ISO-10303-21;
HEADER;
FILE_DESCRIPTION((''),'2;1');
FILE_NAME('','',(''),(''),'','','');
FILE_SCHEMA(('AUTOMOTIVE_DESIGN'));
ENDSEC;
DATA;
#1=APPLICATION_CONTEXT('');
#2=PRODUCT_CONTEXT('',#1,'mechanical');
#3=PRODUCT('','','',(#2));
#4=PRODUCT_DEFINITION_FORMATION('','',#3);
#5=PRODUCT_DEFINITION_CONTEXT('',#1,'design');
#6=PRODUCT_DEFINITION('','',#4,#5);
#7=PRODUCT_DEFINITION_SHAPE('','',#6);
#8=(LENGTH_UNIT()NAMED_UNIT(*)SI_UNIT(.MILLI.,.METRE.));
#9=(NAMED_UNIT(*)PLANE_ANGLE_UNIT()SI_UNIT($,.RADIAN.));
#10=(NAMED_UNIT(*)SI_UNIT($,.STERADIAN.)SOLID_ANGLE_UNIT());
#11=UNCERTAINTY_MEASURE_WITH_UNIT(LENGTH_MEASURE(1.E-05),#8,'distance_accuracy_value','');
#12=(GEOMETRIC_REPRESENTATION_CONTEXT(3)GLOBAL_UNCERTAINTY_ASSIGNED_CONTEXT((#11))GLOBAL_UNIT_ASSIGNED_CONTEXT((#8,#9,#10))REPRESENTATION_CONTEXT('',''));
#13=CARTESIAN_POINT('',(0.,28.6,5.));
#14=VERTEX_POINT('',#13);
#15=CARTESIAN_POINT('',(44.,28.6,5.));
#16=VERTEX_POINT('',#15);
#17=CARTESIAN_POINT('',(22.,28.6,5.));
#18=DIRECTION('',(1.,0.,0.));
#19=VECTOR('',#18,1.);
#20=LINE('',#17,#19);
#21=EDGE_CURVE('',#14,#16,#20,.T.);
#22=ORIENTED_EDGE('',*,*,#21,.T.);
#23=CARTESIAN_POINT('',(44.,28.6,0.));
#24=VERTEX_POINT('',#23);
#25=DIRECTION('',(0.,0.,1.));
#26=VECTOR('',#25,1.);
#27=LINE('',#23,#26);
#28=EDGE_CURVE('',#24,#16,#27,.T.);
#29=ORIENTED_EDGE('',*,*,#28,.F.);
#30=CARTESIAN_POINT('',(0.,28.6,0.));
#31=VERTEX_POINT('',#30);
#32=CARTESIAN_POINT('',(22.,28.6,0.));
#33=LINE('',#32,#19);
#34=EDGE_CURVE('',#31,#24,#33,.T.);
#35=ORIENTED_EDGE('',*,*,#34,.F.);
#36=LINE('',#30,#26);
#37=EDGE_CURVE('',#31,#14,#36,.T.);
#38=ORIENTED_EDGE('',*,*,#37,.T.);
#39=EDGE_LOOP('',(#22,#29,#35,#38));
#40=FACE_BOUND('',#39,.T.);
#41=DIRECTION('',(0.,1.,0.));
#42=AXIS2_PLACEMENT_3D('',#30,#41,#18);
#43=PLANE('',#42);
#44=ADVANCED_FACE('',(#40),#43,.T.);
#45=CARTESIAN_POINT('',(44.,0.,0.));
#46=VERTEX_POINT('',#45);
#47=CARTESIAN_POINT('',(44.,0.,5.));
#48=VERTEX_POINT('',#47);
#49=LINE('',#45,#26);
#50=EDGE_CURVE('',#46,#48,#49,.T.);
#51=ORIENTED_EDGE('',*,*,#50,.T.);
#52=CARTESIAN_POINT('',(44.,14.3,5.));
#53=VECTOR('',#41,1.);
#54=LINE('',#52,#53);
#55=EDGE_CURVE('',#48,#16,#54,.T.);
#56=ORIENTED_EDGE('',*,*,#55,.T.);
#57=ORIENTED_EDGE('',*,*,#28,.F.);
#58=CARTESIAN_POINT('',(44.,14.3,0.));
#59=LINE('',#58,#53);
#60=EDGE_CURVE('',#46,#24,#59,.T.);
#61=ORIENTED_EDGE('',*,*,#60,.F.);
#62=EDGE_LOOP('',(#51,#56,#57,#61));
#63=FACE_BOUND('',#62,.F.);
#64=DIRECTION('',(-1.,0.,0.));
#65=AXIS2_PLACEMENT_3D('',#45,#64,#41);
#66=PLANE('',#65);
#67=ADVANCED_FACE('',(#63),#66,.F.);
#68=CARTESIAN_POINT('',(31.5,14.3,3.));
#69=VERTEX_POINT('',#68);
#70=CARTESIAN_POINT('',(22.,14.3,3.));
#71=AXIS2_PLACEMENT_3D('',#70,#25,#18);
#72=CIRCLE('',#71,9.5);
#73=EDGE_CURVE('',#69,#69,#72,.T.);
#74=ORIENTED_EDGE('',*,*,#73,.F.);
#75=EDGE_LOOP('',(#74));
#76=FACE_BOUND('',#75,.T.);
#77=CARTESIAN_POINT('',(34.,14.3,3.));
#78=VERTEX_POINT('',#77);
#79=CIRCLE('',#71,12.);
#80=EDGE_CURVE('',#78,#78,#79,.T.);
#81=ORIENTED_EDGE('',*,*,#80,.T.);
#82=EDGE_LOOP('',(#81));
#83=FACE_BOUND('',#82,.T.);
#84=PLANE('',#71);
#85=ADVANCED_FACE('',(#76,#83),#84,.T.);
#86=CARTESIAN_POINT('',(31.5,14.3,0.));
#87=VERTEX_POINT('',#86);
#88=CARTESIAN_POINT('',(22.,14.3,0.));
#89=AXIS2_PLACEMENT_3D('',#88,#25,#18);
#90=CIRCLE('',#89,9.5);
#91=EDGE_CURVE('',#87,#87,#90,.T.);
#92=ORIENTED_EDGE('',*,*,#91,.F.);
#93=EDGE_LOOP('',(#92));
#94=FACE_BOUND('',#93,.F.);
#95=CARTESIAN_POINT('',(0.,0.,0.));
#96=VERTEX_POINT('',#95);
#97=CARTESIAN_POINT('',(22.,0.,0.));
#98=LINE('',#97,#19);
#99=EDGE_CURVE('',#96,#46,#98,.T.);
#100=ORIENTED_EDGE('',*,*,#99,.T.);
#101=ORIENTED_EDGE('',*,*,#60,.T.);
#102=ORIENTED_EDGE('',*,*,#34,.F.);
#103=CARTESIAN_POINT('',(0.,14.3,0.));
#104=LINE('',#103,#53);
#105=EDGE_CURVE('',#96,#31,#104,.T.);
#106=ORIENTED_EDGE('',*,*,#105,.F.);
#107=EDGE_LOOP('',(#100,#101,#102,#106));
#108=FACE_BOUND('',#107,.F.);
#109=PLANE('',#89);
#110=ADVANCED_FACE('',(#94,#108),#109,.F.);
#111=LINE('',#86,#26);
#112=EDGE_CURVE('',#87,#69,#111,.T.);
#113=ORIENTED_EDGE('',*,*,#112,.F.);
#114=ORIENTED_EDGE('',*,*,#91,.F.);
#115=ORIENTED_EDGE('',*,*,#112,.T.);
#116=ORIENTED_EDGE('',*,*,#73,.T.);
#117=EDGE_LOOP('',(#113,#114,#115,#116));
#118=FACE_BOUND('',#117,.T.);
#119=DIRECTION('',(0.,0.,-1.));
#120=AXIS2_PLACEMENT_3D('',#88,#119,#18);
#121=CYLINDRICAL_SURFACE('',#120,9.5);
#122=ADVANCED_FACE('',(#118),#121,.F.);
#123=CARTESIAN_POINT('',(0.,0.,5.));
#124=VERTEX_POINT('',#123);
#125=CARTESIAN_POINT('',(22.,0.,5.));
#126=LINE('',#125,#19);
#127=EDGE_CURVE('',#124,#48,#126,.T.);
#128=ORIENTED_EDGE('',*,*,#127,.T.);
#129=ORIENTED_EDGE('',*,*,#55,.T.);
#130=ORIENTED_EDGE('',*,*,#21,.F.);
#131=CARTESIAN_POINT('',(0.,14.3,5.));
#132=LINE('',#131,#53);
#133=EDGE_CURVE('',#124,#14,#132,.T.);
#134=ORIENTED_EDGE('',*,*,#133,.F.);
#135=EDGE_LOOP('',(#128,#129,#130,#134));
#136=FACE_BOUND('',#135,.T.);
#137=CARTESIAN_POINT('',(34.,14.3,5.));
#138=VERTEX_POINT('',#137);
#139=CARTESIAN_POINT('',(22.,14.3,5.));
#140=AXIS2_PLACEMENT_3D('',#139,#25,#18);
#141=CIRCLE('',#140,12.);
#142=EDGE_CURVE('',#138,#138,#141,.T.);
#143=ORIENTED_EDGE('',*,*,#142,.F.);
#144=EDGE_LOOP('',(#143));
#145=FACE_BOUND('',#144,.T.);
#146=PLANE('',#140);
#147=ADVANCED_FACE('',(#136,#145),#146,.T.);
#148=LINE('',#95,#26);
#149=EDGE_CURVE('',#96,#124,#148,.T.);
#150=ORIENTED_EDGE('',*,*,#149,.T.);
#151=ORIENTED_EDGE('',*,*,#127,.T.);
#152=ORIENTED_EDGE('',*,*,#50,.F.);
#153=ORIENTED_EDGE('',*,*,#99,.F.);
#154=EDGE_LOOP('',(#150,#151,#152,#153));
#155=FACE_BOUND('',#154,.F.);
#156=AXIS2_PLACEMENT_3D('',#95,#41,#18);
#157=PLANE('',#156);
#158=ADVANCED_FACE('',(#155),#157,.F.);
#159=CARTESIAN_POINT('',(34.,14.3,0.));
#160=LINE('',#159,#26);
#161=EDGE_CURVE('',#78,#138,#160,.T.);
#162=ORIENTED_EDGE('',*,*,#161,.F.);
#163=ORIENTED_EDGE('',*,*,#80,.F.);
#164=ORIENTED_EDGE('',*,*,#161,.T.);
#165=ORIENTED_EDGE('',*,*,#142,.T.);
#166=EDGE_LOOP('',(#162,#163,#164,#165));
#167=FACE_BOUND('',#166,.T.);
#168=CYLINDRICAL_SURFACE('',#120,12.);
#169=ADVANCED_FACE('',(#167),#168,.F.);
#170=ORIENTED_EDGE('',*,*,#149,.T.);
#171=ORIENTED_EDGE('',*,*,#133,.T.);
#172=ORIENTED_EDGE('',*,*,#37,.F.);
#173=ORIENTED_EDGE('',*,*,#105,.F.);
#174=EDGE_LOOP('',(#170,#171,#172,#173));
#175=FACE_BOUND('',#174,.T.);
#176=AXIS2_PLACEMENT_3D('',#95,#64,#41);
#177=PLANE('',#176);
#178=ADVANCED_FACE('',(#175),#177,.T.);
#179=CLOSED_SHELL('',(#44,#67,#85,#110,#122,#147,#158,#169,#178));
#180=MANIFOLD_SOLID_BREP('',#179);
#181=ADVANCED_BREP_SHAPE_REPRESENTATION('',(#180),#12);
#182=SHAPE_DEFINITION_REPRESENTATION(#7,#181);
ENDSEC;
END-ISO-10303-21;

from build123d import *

# Parameters (mm, degrees)
F0_W     = 44
F0_H     = 28.6
F0_R     = 12
F1_DEPTH = 5
F0_R_2   = 9.5
F2_DEPTH = 3


with BuildPart() as f1:
    # F0 (on Top) → F1 (new body)
    with BuildSketch(Plane.XY):
        with Locations((22, 14.3)):
            Rectangle(F0_W, F0_H)
        with Locations((22, 14.3)):
            Circle(F0_R, mode=Mode.SUBTRACT)
    extrude(amount=F1_DEPTH)

    # F0 (on Top) → F2 (join)
    with BuildSketch(Plane.XY):
        with Locations((22, 14.3)):
            Circle(F0_R)
        with Locations((22, 14.3)):
            Circle(F0_R_2, mode=Mode.SUBTRACT)
    extrude(amount=F2_DEPTH)


solid = f1.part
